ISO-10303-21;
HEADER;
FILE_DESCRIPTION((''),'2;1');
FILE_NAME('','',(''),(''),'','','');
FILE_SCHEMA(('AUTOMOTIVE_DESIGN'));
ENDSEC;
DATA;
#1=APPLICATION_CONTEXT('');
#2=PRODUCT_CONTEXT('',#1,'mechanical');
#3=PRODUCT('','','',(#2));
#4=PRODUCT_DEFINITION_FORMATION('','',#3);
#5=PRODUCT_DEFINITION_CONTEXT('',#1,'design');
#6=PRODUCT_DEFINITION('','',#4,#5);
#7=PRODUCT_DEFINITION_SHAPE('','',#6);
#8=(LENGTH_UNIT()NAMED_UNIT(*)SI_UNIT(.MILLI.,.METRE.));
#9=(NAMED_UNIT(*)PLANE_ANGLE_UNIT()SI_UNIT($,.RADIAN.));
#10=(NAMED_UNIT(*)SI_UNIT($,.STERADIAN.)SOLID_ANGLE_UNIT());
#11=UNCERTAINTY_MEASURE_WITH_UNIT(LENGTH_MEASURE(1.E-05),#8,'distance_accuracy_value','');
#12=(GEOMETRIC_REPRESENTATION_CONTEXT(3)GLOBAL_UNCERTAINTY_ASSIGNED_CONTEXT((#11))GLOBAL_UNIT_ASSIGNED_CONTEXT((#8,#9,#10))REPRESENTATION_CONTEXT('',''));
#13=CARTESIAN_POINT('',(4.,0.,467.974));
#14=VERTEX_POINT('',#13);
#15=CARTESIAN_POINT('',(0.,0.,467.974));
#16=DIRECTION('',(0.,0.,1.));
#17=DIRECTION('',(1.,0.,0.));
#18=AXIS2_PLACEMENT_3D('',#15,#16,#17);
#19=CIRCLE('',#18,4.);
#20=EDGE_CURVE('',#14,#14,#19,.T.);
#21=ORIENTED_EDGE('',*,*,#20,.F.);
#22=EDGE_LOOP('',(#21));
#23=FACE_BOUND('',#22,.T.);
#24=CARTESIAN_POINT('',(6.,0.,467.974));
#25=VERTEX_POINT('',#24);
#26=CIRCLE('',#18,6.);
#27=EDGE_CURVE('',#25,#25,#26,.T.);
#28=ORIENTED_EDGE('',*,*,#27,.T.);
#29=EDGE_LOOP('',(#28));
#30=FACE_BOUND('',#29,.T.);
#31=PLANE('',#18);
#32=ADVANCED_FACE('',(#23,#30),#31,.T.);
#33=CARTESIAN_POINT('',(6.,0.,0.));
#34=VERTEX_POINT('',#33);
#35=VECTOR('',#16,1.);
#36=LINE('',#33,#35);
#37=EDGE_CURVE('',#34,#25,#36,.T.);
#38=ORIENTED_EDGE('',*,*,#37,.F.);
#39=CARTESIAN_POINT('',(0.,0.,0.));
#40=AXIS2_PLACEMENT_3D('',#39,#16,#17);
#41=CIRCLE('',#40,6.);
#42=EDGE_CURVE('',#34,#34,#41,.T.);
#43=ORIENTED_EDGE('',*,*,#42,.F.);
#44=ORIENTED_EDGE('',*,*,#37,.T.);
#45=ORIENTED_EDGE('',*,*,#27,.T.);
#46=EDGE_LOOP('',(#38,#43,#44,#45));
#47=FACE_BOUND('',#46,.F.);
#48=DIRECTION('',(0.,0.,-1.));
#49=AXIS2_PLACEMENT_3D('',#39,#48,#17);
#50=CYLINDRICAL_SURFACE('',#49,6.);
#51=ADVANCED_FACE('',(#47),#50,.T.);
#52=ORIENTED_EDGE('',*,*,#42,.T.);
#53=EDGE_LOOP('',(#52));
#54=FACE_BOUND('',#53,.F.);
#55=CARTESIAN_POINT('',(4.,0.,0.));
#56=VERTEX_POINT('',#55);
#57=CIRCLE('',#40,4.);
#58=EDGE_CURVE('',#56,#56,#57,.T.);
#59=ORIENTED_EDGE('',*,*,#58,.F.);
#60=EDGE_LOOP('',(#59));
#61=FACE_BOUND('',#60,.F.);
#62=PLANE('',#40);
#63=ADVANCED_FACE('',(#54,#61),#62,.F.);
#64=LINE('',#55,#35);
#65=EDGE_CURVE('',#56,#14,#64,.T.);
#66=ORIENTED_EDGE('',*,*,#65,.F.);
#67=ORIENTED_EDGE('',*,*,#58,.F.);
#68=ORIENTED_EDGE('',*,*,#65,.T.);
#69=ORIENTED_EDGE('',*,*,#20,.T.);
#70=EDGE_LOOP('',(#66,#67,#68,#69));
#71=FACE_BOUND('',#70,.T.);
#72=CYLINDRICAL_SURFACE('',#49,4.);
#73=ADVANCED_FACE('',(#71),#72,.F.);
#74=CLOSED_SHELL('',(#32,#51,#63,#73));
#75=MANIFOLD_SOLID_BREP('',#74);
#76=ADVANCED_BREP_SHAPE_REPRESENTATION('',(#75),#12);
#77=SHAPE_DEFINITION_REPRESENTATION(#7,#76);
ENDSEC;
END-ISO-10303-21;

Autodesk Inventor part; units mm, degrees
ref_plane "YZ Plane" through (0, 0, 0) normal (1, 0, 0) x (0, 1, 0)
ref_plane "XZ Plane" through (0, 0, 0) normal (0, 1, 0) x (-1, 0, 0)
ref_plane "XY Plane" through (0, 0, 0) normal (0, 0, 1) x (1, 0, 0)
sketch "Sketch1" plane through (0, 0, 0) normal (0, 0, 1) x (1, 0, 0)
  circle A0 centre (0, 0) radius 4
  circle A1 centre (0, 0) radius 6
  dimension "d0" = 8
  dimension "d1" = 2
extrude "Extrusion1" add sketch "Sketch1" along normal blind 467.974
properties part number "carbonFiberTube"
